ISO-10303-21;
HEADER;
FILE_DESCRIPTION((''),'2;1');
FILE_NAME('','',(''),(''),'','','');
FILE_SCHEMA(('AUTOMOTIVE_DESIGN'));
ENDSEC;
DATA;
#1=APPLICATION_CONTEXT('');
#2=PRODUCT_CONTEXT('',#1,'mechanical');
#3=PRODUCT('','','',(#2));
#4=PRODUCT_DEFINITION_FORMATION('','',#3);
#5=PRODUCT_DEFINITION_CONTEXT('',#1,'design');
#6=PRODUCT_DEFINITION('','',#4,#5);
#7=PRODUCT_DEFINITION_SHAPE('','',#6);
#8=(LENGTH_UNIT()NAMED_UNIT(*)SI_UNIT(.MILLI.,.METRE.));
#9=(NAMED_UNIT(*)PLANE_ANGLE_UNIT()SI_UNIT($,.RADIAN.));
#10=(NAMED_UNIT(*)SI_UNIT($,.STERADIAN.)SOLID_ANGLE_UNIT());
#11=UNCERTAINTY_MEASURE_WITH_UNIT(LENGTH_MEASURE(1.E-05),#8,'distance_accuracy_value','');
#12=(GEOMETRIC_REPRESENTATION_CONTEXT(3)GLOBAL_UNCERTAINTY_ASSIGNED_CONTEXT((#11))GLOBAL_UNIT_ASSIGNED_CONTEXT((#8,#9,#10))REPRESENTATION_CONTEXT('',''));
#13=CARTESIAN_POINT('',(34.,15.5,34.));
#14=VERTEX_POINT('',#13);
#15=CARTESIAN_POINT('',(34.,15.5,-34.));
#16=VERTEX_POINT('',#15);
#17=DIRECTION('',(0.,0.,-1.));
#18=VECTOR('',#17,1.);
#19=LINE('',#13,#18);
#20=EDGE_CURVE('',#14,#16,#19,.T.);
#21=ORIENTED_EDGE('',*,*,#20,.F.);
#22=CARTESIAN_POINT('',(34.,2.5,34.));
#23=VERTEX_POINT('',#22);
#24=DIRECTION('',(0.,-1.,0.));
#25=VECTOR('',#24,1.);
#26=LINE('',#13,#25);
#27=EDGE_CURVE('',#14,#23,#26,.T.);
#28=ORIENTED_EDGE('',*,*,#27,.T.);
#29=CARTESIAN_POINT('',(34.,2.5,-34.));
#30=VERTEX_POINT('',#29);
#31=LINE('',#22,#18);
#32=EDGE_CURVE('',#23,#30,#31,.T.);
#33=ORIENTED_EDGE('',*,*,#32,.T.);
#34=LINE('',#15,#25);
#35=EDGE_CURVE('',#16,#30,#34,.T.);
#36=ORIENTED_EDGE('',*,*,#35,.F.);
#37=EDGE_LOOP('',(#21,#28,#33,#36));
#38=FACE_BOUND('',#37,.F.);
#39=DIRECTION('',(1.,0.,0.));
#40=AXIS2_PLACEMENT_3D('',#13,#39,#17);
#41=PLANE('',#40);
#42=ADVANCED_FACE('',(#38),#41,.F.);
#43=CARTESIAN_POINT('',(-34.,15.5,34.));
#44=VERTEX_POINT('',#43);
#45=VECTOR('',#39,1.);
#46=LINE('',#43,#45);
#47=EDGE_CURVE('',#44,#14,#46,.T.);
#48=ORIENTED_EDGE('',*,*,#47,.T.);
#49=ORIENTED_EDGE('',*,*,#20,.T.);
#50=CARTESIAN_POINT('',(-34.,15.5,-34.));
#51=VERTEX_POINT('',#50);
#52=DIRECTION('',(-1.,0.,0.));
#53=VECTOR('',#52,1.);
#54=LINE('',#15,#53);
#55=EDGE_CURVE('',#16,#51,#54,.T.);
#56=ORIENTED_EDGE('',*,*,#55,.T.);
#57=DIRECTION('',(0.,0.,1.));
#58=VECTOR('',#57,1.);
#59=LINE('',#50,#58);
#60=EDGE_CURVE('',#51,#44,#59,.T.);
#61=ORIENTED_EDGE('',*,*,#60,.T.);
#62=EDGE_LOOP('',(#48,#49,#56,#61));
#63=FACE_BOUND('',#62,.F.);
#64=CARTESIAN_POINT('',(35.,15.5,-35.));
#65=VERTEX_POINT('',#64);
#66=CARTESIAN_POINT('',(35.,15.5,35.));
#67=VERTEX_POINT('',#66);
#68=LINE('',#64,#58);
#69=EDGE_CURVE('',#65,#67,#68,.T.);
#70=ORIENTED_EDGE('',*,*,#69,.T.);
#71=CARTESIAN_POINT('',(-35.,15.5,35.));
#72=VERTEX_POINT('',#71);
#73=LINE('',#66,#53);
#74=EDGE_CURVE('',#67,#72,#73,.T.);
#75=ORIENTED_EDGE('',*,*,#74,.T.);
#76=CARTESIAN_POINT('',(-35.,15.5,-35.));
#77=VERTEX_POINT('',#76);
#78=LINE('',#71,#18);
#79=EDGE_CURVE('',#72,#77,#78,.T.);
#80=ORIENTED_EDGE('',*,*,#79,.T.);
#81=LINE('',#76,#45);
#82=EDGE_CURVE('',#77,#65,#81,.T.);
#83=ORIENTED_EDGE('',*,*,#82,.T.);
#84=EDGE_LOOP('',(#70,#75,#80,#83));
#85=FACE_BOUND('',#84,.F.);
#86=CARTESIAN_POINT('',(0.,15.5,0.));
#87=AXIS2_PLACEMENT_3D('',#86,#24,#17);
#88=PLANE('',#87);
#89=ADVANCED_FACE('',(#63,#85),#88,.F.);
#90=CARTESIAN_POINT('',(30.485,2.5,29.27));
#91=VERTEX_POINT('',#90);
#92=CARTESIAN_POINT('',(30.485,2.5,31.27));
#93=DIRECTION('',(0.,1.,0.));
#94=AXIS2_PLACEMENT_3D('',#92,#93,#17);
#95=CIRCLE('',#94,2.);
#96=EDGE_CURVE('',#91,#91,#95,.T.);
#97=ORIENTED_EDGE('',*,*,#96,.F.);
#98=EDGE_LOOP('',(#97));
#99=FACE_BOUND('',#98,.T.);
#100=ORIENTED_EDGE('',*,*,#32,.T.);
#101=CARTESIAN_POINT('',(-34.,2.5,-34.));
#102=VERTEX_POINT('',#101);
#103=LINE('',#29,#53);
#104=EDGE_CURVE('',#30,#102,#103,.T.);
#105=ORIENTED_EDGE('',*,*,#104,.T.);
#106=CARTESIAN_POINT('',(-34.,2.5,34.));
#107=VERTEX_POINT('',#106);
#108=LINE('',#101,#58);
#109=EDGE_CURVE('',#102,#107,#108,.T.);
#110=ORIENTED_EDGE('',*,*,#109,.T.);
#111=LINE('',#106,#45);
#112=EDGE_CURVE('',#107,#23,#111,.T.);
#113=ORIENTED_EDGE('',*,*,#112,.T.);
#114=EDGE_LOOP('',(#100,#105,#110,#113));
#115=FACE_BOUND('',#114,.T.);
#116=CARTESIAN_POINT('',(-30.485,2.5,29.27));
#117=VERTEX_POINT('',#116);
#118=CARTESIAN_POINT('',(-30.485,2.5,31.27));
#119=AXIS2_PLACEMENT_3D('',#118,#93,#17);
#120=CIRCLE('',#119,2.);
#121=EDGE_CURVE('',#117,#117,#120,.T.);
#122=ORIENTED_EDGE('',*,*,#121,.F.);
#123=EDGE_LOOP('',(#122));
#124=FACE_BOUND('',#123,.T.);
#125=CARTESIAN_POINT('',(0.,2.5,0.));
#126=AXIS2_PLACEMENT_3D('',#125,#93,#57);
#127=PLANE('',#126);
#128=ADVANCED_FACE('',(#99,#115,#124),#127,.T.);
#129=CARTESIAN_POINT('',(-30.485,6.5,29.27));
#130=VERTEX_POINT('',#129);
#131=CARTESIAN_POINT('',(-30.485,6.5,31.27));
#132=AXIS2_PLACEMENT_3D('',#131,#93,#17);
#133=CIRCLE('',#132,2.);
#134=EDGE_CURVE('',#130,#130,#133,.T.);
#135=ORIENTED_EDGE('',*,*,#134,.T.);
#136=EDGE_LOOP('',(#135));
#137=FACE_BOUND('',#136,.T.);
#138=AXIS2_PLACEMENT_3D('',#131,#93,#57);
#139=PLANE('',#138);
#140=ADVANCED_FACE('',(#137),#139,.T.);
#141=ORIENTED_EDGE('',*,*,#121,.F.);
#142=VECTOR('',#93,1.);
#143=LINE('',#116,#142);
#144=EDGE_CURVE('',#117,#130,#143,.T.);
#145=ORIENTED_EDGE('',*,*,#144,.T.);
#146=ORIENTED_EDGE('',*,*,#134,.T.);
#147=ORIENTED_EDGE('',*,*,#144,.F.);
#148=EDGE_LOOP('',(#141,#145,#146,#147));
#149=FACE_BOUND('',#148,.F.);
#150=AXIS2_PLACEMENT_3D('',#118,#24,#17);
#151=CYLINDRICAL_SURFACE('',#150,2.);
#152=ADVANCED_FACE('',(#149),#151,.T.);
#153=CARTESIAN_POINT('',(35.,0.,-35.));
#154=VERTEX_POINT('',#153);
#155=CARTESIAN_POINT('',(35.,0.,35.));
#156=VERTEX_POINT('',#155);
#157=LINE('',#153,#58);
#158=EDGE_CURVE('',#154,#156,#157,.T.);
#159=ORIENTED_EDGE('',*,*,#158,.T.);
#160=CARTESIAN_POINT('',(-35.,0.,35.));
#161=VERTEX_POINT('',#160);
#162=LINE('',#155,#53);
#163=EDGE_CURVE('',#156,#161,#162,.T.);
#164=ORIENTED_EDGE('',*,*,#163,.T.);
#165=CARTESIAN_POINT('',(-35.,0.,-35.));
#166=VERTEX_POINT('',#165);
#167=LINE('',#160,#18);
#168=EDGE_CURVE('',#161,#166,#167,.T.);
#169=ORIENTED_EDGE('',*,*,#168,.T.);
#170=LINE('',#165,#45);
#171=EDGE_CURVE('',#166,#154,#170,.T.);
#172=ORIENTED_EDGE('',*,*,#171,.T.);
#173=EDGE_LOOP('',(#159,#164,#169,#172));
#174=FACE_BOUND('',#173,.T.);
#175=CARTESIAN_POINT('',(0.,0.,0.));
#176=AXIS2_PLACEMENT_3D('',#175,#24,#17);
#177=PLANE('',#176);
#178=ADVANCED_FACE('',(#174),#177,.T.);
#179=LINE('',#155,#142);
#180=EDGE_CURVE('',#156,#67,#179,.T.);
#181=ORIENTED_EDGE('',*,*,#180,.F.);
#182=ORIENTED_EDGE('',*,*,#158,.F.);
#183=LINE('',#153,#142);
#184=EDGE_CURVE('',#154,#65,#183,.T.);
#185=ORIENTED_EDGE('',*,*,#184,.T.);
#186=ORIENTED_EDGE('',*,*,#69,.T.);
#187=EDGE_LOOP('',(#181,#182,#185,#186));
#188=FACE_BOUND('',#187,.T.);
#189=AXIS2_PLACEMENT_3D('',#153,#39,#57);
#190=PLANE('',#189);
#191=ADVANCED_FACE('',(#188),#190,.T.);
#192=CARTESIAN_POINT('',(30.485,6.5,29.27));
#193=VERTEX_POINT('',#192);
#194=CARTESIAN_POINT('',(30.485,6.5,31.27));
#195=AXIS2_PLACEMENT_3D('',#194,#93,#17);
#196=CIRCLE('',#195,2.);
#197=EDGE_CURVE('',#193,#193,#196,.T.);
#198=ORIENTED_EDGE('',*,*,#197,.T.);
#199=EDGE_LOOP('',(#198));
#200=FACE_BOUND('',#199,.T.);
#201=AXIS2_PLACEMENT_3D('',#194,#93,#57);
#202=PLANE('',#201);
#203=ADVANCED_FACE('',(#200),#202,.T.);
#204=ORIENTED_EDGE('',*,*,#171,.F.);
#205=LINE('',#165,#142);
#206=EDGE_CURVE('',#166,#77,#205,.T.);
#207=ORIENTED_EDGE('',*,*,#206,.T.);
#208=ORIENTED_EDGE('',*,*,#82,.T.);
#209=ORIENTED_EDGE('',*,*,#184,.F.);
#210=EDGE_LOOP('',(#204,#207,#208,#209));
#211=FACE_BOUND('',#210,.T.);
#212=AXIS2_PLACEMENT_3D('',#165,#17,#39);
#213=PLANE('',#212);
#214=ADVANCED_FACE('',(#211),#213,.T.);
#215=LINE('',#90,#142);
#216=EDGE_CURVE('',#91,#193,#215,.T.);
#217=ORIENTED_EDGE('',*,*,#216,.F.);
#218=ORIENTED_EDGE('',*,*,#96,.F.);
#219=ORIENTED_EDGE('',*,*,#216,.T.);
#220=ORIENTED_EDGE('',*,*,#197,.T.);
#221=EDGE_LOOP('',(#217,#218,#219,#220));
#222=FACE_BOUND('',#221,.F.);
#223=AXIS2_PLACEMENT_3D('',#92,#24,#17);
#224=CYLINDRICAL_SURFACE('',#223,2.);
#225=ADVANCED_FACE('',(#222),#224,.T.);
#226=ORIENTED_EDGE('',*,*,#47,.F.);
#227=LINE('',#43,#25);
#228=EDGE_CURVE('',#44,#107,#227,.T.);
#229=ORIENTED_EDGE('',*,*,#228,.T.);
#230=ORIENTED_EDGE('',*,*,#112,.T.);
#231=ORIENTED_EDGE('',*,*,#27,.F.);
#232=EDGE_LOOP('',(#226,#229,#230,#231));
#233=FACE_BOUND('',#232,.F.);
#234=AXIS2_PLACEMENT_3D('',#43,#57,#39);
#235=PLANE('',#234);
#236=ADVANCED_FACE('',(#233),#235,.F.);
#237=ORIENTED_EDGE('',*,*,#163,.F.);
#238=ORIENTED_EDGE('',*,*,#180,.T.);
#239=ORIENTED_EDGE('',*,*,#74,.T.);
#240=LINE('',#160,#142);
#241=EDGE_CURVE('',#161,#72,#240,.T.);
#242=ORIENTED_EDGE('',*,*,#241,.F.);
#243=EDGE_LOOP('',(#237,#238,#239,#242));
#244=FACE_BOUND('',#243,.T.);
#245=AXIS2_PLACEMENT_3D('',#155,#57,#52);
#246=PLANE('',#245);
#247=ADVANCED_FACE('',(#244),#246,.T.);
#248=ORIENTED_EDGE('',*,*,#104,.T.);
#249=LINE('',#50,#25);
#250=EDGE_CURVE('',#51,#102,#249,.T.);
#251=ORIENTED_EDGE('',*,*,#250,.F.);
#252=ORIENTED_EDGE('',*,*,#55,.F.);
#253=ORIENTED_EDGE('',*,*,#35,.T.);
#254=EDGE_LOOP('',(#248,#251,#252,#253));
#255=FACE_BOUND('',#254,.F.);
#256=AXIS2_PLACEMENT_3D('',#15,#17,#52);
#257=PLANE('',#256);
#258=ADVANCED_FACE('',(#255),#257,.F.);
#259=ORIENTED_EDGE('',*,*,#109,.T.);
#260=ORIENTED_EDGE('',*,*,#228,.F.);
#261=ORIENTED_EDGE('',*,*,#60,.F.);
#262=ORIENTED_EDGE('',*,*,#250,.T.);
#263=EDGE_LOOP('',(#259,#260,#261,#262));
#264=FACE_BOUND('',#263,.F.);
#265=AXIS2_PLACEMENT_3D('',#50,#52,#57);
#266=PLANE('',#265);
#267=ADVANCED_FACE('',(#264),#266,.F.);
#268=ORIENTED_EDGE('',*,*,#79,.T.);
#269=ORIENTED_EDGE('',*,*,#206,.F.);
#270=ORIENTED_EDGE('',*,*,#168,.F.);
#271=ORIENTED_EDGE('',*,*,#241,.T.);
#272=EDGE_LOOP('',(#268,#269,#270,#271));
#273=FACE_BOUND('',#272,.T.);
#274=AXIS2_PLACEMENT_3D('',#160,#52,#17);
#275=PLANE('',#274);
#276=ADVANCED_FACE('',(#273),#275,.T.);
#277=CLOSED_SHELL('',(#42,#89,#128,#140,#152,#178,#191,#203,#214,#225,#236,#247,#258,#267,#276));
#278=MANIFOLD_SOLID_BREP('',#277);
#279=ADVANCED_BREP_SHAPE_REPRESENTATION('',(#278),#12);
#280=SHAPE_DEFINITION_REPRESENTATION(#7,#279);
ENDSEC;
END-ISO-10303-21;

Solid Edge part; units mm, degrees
sketch "Sketch1" plane through (0, 0, 0) normal (0, -1, 0) x (1, 0, 0)
  line L0 (-35, -35) -> (35, -35)
  line L1 (35, -35) -> (35, 35)
  line L2 (35, 35) -> (-35, 35)
  line L3 (-35, 35) -> (-35, -35)
  dimension "D1" = 70
  dimension "D2" = 70
extrude "Protrusion1" add sketch "Sketch1" against normal blind 15.5
sketch "Sketch2" plane through (0, 15.5, 0) normal (0, 1, 0) x (0, 0, -1)
  line L0 (-34, -34) -> (34, -34)
  line L1 (34, -34) -> (34, 34)
  line L2 (34, 34) -> (-34, 34)
  line L3 (-34, 34) -> (-34, -34)
  dimension "D1" = 68
  dimension "D2" = 68
extrude "Enlèvement_matière_1" cut sketch "Sketch2" against normal blind 13
sketch "Sketch3" plane through (0, 2.5, 0) normal (0, 1, 0) x (0, 0, -1)
  circle A0 centre (-31.27, -30.485) radius 2
  circle A1 centre (-31.27, 30.485) radius 2
  dimension "D1" = 4
  dimension "D2" = 4
  dimension "D3" = 60.97
  dimension "D4" = 2.73
  dimension "D5" = 2.73
  dimension "D6" = 3.515
  dimension "D7" = 3.515
extrude "Ajout_matière_2" add sketch "Sketch3" along normal blind 4
